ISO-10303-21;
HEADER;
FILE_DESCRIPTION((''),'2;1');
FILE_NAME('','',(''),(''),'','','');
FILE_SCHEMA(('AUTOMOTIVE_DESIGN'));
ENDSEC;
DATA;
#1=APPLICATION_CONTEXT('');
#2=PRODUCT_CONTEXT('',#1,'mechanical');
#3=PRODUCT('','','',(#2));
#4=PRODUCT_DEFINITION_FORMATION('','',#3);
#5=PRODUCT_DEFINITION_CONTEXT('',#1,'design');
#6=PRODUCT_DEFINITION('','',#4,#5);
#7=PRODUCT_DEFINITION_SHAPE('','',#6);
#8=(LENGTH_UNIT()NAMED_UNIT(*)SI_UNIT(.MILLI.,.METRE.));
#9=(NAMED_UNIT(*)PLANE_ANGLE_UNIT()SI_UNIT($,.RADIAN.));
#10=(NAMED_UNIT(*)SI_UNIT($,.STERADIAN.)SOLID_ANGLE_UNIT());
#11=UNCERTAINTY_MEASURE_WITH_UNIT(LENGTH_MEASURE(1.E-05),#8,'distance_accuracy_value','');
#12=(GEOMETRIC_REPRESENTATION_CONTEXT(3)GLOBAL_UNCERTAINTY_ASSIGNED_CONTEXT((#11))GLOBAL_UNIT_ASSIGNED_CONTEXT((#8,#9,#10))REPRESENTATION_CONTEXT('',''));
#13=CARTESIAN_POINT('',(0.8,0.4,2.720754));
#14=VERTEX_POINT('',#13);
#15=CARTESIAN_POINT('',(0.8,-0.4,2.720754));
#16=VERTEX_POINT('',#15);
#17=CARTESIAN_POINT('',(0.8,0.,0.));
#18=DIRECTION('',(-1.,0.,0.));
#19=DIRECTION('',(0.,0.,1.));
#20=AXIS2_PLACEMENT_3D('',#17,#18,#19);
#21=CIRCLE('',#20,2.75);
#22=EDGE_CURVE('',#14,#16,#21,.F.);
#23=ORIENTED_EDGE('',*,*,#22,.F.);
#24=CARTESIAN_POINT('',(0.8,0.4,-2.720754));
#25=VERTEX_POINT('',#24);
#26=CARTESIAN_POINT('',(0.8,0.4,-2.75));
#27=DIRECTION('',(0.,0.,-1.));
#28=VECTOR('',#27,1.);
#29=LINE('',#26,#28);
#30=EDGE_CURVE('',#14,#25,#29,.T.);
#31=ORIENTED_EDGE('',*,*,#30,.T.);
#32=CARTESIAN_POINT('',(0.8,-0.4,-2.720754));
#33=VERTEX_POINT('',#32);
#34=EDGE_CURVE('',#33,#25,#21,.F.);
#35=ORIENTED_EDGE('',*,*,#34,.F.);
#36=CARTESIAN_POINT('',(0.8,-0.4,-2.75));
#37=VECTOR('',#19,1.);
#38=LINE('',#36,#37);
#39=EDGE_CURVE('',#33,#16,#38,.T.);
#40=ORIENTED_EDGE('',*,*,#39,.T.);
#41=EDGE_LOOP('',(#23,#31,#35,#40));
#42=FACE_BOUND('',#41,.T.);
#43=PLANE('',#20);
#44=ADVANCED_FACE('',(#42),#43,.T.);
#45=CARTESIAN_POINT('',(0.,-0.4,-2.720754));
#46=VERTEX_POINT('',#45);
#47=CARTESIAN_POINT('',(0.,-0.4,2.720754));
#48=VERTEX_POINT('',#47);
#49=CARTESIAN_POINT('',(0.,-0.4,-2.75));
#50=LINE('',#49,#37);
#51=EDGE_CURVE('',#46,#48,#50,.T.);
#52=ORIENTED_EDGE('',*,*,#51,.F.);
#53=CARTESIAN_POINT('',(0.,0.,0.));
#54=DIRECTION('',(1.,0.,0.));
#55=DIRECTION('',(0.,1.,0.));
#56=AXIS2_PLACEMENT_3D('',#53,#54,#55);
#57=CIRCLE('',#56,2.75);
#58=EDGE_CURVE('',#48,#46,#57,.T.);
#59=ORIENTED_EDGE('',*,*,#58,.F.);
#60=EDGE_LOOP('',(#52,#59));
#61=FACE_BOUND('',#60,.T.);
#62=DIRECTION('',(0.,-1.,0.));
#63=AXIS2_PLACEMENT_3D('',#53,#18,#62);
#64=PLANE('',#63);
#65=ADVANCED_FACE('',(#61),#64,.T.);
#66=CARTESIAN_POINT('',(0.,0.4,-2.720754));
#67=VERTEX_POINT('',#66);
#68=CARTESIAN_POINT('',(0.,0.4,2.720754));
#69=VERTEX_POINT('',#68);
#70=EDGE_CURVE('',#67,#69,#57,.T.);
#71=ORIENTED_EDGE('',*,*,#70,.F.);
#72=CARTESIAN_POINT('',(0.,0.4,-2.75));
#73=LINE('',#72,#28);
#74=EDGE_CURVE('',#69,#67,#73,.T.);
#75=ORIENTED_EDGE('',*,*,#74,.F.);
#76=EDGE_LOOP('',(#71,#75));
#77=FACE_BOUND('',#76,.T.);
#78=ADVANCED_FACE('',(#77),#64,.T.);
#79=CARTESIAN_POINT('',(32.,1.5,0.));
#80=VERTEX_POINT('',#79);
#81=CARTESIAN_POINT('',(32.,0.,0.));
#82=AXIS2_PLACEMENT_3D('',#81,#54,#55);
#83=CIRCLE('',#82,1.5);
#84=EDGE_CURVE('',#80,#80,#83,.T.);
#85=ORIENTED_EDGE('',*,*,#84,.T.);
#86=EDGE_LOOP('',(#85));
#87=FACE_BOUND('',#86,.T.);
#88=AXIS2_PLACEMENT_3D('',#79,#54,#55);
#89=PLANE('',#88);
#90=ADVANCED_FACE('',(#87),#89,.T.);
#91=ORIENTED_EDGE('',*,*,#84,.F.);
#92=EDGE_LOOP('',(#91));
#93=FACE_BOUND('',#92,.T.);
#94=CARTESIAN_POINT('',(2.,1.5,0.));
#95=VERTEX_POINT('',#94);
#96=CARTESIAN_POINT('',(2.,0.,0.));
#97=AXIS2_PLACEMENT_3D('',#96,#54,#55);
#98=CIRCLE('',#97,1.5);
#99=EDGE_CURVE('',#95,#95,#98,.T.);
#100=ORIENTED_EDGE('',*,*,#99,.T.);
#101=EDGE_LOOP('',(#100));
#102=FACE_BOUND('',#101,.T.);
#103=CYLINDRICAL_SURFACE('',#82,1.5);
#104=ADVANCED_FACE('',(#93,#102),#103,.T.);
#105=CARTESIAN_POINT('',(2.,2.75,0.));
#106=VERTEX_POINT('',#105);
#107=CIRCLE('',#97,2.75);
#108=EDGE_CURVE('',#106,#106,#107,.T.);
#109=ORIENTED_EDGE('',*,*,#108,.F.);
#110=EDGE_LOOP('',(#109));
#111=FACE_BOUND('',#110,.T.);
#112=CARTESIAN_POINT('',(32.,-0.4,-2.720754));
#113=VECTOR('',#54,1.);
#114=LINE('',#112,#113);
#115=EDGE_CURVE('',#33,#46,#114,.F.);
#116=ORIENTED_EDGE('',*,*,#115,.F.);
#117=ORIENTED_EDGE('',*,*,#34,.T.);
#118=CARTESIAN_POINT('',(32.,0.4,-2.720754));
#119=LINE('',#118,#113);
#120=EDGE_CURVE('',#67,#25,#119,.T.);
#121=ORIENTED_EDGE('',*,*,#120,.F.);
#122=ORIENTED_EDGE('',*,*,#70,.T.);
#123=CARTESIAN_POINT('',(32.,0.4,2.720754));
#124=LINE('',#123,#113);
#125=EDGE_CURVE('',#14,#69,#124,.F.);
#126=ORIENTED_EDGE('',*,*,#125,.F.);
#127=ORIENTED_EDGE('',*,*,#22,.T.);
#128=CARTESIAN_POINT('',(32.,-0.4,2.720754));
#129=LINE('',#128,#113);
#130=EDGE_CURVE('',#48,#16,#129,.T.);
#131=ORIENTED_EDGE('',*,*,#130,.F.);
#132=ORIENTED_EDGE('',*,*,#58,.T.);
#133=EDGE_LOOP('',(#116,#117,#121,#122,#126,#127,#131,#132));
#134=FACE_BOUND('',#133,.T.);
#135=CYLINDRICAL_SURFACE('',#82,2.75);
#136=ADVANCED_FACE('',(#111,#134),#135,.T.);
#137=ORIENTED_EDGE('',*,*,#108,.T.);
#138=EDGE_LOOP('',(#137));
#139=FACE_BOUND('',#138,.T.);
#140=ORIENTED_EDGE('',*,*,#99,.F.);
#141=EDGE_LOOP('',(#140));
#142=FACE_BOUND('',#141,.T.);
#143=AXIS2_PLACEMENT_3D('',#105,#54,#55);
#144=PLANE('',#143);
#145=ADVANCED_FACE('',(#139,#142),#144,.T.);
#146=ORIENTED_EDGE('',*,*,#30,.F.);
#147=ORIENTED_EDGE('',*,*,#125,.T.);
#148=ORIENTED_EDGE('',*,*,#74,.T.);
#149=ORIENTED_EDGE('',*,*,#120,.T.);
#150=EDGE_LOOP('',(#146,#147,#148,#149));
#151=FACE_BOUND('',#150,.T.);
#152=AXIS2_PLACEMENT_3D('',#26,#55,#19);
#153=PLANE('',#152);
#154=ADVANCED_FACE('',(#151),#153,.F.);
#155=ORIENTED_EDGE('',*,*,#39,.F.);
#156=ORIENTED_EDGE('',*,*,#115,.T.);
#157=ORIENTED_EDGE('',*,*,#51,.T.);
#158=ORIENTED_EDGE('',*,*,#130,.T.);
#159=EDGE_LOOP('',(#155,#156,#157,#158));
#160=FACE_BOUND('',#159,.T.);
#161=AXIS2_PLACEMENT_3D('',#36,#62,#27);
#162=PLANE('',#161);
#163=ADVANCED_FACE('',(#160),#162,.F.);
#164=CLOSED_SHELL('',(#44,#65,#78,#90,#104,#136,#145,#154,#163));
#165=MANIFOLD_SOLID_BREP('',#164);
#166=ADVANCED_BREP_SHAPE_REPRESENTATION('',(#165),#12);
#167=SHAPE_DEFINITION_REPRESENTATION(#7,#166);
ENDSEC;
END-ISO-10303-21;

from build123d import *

# Parameters (mm, degrees)
SKETCH2_W          = 5.5
SKETCH2_H          = 0.8
CUT_EXTRUDE1_DEPTH = 0.8


with BuildPart() as part:
    # Sketch1 → Revolve1 (revolve)
    with BuildSketch(Plane.XY):
        Polygon((0, 0), (0, 2.75), (2, 2.75), (2, 1.5), (32, 1.5), (32, 0), align=None)
    revolve(axis=Axis((32, 0, 0), (-1, 0, 0)))

    # Sketch2 → Cut-Extrude1 (cut)
    with BuildSketch(Plane.ZY):
        Rectangle(SKETCH2_W, SKETCH2_H)
    extrude(amount=-CUT_EXTRUDE1_DEPTH, mode=Mode.SUBTRACT)


solid = part.part
